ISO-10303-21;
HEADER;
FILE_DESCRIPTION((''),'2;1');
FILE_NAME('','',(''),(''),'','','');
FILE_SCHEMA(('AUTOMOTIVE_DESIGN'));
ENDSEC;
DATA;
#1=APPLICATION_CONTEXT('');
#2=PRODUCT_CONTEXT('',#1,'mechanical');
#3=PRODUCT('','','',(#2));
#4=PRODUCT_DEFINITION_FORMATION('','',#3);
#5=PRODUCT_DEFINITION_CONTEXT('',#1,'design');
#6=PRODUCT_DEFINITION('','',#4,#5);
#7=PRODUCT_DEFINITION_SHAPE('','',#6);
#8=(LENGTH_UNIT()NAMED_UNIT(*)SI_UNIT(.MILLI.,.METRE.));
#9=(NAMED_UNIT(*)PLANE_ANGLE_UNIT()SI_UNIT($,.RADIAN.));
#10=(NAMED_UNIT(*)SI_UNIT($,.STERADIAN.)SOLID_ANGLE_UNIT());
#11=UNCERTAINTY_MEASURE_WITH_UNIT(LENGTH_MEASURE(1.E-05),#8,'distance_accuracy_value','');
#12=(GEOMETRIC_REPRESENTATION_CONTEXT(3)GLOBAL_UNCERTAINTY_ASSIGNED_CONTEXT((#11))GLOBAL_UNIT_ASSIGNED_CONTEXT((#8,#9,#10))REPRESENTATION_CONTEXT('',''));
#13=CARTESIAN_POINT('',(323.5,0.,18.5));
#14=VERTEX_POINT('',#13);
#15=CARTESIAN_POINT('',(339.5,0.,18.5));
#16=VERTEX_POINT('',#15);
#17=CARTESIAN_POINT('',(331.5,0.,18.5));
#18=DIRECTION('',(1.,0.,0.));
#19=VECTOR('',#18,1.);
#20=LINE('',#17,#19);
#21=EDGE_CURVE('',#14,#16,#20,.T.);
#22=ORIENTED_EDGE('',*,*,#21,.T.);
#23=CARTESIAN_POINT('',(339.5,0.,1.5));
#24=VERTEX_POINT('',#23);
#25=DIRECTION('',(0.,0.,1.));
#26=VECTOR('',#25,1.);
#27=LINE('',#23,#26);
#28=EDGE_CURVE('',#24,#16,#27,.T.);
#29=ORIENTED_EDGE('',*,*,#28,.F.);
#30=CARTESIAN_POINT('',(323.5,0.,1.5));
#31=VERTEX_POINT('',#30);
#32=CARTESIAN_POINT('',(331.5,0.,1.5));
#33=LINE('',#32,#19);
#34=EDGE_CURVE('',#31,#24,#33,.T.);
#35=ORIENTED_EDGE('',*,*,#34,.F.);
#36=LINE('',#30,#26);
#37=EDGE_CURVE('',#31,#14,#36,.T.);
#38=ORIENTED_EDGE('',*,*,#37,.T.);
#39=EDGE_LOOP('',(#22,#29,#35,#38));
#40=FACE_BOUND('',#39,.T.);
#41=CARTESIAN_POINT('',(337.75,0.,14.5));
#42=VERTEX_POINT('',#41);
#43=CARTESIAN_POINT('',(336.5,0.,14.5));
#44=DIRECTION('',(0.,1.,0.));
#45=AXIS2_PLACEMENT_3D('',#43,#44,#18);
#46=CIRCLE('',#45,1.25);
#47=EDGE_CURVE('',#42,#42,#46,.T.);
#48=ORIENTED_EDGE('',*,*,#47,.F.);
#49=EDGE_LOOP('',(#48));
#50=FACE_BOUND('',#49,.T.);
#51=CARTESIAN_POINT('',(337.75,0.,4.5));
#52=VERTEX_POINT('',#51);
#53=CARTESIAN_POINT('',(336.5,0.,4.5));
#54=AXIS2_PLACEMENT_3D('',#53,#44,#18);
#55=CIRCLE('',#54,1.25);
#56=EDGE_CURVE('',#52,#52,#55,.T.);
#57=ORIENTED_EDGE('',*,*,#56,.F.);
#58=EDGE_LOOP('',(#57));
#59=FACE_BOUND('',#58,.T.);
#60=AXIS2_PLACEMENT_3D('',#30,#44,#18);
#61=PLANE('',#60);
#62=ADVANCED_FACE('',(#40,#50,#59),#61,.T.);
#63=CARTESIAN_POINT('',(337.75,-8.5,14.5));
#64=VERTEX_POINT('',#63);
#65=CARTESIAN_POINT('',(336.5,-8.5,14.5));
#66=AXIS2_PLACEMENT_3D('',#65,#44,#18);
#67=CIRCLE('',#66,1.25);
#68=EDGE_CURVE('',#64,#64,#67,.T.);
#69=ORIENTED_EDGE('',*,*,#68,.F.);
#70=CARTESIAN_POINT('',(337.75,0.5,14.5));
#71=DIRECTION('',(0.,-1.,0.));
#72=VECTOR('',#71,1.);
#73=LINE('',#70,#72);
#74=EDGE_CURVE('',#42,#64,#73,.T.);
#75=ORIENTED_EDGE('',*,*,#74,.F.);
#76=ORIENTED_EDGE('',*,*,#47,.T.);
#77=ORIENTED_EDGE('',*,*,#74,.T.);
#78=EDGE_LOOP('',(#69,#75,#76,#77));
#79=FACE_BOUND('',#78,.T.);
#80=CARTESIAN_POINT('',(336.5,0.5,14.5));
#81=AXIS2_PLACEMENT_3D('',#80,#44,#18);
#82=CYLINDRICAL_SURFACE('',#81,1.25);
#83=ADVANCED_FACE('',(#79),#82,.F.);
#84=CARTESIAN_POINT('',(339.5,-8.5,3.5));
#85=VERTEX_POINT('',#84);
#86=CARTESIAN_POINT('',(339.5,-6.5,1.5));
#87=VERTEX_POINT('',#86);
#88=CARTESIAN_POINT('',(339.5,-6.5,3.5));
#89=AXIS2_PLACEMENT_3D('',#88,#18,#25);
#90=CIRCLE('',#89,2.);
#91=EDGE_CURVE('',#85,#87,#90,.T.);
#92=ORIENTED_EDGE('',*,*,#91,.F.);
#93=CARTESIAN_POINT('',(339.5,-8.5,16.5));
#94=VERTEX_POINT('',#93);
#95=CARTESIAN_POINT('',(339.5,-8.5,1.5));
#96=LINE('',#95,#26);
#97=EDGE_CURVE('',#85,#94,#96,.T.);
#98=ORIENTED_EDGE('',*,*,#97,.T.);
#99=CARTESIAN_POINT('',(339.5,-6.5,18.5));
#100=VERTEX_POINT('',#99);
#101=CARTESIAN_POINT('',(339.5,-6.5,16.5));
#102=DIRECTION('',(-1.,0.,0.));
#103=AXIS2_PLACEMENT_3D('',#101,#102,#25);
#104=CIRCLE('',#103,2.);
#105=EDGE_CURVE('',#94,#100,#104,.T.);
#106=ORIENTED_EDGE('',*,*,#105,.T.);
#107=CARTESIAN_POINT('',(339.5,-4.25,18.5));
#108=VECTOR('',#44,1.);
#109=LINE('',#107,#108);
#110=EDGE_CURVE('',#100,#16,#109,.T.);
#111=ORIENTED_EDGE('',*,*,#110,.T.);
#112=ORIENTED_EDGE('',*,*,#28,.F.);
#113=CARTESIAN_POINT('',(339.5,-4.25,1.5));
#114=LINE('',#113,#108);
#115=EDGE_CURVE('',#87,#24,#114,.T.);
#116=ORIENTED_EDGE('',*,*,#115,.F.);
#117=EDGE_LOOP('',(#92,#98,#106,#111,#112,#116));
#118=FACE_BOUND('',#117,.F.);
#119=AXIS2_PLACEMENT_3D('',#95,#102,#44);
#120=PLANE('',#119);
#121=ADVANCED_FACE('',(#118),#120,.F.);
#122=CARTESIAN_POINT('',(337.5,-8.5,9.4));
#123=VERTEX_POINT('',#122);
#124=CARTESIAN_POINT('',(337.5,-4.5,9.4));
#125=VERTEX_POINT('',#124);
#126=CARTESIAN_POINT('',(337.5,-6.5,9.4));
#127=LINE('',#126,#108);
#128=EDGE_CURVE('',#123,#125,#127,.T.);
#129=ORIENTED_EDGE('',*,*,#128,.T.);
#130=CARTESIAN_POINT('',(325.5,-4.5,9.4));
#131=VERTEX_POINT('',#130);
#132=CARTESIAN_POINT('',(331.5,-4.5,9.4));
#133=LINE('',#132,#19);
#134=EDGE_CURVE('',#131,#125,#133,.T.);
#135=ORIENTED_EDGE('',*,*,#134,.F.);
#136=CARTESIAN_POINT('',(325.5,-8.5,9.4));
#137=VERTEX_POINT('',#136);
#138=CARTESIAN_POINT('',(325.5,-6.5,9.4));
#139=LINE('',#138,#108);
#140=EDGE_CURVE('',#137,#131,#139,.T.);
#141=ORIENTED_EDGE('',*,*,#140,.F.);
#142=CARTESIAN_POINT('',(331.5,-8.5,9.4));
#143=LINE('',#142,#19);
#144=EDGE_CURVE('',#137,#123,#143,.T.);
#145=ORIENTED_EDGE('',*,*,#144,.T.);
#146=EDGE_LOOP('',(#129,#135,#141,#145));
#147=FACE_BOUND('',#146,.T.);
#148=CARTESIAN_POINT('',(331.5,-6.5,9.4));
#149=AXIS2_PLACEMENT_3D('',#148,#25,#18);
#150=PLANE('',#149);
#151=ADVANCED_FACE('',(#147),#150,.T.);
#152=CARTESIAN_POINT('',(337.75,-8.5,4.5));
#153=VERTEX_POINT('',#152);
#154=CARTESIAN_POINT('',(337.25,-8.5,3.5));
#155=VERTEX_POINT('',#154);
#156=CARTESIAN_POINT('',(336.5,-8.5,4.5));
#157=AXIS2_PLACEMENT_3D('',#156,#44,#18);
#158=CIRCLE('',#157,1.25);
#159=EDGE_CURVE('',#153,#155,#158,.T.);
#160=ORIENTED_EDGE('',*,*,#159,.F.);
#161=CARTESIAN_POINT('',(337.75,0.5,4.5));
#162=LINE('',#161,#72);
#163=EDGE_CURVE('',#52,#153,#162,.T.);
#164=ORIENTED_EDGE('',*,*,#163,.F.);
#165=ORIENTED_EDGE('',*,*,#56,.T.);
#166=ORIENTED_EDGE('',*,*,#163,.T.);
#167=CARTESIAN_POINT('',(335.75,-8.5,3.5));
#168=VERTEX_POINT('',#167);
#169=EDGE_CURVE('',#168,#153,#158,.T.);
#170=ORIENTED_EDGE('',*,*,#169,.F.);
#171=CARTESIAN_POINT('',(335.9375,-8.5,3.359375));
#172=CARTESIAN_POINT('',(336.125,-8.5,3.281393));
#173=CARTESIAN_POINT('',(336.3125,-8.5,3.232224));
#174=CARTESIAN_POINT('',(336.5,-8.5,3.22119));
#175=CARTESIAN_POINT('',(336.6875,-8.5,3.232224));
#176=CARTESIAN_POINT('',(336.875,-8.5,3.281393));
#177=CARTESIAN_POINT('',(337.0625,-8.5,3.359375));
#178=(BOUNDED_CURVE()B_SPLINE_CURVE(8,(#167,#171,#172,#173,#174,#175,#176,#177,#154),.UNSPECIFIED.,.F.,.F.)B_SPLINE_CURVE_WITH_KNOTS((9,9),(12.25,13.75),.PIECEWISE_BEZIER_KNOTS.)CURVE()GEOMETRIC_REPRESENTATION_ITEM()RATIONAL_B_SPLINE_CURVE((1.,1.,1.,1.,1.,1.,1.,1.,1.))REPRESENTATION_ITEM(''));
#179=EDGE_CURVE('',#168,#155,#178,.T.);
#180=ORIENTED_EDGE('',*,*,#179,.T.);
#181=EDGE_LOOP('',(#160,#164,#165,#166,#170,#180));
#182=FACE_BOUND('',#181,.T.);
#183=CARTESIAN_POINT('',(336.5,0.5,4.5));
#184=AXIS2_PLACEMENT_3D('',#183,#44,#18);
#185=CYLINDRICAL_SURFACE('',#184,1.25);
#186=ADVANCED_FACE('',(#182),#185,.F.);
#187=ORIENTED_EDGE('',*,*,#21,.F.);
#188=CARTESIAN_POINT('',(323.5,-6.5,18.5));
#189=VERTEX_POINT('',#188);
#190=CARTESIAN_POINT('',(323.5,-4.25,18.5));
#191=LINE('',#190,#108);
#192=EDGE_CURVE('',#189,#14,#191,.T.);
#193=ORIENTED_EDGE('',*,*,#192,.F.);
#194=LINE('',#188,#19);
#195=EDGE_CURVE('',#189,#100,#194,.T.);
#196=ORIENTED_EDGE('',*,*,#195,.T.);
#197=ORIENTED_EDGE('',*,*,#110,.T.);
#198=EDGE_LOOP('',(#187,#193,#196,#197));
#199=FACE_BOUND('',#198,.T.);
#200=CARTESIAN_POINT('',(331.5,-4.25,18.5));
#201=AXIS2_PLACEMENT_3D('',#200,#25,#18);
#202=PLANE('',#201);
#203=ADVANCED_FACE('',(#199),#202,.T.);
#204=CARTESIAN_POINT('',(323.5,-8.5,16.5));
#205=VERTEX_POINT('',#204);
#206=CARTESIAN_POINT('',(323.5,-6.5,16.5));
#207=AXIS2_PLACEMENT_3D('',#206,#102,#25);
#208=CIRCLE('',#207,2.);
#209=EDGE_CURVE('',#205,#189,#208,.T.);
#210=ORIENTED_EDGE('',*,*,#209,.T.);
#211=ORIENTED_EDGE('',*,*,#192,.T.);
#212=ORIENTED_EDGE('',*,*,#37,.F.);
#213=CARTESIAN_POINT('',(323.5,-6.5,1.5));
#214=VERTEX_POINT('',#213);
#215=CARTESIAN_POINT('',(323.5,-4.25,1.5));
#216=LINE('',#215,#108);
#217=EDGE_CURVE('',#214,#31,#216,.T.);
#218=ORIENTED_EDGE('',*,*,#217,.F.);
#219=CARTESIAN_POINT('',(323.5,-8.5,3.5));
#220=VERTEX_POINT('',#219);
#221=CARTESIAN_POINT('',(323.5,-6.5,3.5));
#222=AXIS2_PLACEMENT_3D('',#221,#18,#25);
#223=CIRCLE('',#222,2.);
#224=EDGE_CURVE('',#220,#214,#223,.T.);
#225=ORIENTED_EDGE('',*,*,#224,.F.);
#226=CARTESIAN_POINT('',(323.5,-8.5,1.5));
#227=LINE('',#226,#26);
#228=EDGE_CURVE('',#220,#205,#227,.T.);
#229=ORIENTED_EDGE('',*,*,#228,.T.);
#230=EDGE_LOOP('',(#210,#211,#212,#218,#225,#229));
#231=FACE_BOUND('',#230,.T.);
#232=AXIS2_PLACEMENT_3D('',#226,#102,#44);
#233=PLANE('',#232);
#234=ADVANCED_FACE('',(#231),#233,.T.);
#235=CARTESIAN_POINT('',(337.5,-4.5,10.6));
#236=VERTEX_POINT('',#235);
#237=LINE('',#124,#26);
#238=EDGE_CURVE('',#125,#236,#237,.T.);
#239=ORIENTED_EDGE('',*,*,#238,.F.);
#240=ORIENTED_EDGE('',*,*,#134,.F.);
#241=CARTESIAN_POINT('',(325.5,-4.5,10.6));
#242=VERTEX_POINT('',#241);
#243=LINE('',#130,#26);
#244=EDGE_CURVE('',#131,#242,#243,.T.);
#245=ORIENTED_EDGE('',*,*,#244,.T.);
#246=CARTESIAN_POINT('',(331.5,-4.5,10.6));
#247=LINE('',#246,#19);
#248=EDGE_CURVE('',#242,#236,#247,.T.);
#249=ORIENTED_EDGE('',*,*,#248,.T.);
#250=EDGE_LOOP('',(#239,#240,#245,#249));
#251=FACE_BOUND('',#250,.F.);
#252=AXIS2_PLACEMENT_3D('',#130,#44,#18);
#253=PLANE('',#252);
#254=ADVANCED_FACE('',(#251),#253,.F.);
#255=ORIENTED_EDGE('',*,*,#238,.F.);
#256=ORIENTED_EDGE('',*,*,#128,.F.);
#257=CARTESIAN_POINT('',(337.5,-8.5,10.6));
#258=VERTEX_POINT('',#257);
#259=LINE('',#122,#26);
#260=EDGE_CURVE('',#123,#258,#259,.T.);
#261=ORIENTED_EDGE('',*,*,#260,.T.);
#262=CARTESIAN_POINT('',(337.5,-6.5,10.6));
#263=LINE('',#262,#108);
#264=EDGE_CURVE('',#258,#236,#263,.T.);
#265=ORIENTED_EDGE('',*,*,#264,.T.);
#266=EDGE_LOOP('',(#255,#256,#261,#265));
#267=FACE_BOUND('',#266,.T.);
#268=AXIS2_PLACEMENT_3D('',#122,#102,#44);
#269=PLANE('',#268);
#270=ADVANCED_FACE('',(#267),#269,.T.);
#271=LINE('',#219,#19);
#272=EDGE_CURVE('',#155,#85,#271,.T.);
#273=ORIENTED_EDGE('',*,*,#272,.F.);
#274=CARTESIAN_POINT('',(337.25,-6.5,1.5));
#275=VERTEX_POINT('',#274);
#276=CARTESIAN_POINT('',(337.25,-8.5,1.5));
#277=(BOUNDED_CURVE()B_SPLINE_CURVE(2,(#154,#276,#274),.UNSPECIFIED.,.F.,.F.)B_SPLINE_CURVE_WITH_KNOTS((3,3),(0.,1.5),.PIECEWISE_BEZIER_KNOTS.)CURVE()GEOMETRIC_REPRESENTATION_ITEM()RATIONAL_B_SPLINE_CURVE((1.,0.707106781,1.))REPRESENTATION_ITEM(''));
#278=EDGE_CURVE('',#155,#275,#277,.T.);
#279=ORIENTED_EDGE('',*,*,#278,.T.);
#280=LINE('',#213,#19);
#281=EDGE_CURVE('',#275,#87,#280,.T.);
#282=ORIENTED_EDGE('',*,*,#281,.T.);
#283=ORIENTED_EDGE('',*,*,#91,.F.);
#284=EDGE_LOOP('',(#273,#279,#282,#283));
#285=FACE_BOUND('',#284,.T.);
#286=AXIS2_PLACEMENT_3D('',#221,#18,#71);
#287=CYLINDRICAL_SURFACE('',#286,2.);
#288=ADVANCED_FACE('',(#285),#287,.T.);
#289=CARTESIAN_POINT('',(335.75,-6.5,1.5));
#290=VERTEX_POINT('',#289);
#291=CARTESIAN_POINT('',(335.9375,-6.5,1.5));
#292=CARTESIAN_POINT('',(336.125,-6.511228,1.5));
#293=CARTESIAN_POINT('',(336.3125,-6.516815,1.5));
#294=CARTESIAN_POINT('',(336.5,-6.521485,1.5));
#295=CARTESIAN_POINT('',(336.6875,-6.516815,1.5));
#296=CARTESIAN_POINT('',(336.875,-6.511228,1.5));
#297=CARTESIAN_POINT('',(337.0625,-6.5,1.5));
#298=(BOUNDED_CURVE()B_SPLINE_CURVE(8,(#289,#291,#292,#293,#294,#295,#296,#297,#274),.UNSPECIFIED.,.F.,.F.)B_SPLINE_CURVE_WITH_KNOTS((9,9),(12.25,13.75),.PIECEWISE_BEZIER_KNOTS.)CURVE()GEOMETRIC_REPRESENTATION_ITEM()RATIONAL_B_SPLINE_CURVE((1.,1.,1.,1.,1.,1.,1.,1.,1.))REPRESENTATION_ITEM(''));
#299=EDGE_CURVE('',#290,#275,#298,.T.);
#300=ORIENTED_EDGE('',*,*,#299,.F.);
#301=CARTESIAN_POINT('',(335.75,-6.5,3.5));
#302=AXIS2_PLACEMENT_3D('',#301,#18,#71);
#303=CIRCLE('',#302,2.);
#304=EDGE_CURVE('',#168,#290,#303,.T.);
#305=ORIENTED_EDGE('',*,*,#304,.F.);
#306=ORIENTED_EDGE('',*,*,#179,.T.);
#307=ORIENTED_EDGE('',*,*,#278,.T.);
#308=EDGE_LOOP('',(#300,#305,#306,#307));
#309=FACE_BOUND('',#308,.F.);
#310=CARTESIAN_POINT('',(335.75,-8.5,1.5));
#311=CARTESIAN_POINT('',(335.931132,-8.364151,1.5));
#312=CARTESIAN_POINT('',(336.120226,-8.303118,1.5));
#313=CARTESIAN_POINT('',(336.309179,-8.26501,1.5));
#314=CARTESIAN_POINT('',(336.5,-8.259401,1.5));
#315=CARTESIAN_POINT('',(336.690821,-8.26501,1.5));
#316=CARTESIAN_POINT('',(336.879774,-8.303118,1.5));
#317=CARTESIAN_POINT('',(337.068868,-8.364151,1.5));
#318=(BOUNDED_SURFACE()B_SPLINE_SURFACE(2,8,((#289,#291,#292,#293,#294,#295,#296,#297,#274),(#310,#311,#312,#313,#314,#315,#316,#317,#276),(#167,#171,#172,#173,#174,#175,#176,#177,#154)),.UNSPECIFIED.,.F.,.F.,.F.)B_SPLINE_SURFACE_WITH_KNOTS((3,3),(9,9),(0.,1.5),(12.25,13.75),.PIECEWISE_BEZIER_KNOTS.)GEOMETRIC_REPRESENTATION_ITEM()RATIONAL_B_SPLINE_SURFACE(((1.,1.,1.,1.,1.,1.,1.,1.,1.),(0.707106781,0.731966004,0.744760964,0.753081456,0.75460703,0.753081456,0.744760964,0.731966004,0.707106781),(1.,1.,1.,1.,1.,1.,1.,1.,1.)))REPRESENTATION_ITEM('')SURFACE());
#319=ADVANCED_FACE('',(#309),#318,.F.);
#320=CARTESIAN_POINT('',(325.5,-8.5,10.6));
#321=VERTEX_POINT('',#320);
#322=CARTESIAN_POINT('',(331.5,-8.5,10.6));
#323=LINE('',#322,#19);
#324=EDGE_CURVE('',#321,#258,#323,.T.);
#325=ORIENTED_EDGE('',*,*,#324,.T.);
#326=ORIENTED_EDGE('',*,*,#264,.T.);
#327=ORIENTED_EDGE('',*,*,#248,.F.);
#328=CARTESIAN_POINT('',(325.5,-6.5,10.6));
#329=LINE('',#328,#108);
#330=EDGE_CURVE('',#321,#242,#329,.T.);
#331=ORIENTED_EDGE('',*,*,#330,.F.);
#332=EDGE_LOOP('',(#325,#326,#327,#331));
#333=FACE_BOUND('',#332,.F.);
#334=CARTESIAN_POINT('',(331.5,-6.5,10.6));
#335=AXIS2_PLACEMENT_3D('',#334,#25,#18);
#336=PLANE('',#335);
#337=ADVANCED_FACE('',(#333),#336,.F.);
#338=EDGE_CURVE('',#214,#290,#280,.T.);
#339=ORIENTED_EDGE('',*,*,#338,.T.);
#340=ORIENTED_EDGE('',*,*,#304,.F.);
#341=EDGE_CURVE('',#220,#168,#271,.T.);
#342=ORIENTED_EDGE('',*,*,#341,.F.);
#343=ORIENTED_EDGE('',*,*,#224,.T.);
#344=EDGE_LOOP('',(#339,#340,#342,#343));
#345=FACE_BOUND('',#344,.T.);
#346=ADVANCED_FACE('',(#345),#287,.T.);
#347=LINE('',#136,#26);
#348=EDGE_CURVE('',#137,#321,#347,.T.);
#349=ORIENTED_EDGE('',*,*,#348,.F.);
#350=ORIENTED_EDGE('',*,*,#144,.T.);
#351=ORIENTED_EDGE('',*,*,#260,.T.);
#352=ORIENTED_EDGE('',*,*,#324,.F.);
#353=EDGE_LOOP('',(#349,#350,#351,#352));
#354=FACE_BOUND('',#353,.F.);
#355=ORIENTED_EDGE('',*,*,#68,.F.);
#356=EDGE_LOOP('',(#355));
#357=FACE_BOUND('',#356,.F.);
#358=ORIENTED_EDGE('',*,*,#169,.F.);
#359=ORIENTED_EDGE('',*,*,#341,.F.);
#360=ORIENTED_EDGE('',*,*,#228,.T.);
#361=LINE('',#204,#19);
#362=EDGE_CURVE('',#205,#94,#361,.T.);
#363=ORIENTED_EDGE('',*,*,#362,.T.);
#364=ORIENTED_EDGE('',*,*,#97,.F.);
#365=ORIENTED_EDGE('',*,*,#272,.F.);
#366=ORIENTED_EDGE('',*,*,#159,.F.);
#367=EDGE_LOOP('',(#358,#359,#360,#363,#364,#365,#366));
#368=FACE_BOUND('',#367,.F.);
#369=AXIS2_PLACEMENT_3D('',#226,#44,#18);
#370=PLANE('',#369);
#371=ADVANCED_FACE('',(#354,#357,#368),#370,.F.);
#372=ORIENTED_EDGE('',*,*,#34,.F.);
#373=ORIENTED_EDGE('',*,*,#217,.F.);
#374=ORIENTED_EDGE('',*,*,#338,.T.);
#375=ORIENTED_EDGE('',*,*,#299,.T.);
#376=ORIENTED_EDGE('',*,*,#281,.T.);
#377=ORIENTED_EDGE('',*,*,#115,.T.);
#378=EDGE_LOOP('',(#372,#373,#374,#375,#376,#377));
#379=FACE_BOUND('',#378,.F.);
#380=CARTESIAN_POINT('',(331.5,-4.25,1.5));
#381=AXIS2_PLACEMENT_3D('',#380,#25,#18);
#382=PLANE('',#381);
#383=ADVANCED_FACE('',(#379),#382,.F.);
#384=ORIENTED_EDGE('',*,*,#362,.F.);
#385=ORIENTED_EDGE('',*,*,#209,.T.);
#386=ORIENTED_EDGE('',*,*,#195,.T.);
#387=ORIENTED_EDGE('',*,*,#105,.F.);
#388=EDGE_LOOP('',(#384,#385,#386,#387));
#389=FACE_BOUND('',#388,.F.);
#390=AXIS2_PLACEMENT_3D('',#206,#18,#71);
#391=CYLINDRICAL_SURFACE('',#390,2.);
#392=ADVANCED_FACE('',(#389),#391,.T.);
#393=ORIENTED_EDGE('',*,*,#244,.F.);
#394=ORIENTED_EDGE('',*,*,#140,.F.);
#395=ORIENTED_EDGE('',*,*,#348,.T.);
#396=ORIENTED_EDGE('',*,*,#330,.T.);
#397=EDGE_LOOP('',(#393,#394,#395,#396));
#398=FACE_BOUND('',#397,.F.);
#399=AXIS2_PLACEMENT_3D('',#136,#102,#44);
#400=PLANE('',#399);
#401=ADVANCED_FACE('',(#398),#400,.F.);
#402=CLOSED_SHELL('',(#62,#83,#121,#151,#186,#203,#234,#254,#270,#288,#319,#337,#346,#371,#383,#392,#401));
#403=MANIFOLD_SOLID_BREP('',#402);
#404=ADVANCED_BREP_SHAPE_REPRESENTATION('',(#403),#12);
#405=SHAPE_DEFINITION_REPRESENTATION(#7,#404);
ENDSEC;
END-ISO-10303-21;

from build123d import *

# Parameters (mm, degrees)
BOX055_W          = 12
BOX055_H          = 4
BOX055_DEPTH      = 1.2
CYLINDER113_R     = 1.25
CYLINDER113_DEPTH = 10
CYLINDER112_R     = 1.25
CYLINDER112_DEPTH = 10
BOX048_W          = 16
BOX048_H          = 8.5
BOX048_DEPTH      = 17
FILLET024_R       = 2


with BuildPart() as cube034:
    # Box055 → Box055 (new body)
    with BuildSketch(Plane(origin=(325.5, 7.5, 9.4), x_dir=(1, 0, 0), z_dir=(0, 0, 1))):
        with Locations((6, 2)):
            Rectangle(BOX055_W, BOX055_H)
    extrude(amount=BOX055_DEPTH)


with BuildPart() as cylinder113:
    # Cylinder113 → Cylinder113 (new body)
    with BuildSketch(Plane(origin=(320, 26, 0), x_dir=(1, 0, 0), z_dir=(0, -1, 0))):
        Circle(CYLINDER113_R)
    extrude(amount=CYLINDER113_DEPTH)


with BuildPart() as fusion098:
    # Cylinder112 → Cylinder112 (new body)
    with BuildSketch(Plane(origin=(320, 26, 10), x_dir=(1, 0, 0), z_dir=(0, -1, 0))):
        Circle(CYLINDER112_R)
    extrude(amount=CYLINDER112_DEPTH)

    # Fusion098: union Cylinder113
    add(cylinder113.part)


with BuildPart() as fusion098_1:
    # Fusion098 placement: moved
    add(fusion098.part.moved(Location((16.5, -9.5, 4.5))))


with BuildPart() as cut062:
    # Box048 → Box048 (new body)
    with BuildSketch(Plane(origin=(323.5, 7.5, 1.5), x_dir=(1, 0, 0), z_dir=(0, 0, 1))):
        with Locations((8, 4.25)):
            Rectangle(BOX048_W, BOX048_H)
    extrude(amount=BOX048_DEPTH)

    # Cut059: cut Fusion098
    add(fusion098_1.part, mode=Mode.SUBTRACT)

    # Fillet024
    fillet024_edges = [cut062.edges().sort_by_distance(p)[0] for p in [
        (331.5, 7.5, 1.5),
        (331.5, 7.5, 18.5),
    ]]
    fillet(fillet024_edges, radius=FILLET024_R)

    # Cut062: cut Cube034
    add(cube034.part, mode=Mode.SUBTRACT)


with BuildPart() as cut062_1:
    # Cut062 placement: moved
    add(cut062.part.moved(Location((0, -16, 0))))


solid = cut062_1.part
